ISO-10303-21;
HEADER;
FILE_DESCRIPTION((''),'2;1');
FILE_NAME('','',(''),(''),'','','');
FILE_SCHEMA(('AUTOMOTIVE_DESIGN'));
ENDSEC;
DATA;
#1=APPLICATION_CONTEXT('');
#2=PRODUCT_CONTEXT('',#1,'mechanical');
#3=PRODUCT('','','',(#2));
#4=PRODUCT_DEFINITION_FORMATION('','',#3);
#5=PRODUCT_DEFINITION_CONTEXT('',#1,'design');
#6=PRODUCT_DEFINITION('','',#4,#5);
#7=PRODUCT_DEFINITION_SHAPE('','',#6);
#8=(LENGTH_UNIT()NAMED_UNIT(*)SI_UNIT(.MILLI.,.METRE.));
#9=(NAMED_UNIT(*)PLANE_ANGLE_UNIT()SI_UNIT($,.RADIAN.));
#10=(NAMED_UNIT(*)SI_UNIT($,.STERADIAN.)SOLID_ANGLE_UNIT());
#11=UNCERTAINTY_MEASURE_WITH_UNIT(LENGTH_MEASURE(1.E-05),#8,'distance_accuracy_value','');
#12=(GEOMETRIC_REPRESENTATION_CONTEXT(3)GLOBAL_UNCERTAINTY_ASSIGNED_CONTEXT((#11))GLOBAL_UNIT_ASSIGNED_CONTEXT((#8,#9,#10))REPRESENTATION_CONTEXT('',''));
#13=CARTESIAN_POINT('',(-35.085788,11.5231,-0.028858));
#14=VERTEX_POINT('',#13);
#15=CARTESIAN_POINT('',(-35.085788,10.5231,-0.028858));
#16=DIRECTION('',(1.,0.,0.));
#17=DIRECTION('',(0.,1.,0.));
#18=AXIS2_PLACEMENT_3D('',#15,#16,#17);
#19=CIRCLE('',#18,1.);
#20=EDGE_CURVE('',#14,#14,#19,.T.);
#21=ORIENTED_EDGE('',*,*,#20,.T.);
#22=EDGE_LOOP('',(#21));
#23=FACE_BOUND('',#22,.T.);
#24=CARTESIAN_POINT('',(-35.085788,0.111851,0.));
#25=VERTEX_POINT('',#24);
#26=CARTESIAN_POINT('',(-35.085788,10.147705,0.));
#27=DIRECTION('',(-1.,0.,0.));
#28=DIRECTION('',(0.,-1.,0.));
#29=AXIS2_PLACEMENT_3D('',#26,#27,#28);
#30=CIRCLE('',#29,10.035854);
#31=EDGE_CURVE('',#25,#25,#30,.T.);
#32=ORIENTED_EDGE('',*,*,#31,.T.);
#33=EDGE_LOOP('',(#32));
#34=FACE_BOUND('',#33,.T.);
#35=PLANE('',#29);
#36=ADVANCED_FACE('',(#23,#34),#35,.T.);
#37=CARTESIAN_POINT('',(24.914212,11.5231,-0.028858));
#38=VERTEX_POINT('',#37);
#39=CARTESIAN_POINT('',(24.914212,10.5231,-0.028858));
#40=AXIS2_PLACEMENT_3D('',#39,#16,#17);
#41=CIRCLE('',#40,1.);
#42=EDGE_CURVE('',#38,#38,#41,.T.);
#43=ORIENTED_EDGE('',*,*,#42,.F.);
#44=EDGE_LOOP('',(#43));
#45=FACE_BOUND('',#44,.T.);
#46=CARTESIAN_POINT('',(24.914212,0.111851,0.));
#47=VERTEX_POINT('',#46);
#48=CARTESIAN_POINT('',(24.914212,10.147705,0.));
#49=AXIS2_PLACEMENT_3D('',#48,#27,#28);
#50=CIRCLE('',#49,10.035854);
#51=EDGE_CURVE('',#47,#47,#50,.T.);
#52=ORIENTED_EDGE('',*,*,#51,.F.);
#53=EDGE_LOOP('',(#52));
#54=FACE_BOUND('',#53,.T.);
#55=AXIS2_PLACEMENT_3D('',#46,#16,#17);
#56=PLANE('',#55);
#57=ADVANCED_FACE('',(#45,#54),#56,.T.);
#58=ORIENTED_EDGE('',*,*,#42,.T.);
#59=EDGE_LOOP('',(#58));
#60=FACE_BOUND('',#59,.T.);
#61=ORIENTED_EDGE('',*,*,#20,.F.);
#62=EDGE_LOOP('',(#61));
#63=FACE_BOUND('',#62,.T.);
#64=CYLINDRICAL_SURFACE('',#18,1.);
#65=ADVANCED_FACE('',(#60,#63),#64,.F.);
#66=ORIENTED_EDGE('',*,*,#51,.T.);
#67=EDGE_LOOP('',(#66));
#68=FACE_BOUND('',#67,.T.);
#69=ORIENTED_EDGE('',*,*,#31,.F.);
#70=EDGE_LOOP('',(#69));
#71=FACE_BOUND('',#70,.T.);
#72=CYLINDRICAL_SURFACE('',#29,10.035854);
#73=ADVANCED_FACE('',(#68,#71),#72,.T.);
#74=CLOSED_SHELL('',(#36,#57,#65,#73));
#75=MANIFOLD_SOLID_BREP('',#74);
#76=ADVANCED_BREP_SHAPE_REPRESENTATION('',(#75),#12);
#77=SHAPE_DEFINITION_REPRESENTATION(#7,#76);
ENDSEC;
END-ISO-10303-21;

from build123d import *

# Parameters (mm, degrees)
SKETCH1_W               = 60
SKETCH1_H               = 10.035853858
CUT_EXTRUDE1_DEPTH      = 65.094417866
CUT_EXTRUDE1_DEPTH_BACK = 65.094417866
SKETCH2_R               = 1


with BuildPart() as part:
    # Sketch1 → Revolve1 (revolve)
    with BuildSketch(Plane.XY):
        with Locations((-5.085788225, 5.129777841)):
            Rectangle(SKETCH1_W, SKETCH1_H)
    revolve(axis=Axis((-35.085788225, 10.14770477, 0), (1, 0, 0)))

    # Sketch2 → Cut-Extrude1 (cut, two sides: drawn at the far end of the back side and taken through both)
    with BuildSketch(Plane(origin=(24.914211775, 0, 0), x_dir=(0, 0, -1), z_dir=(1, 0, 0)).offset(-CUT_EXTRUDE1_DEPTH_BACK)):
        with Locations(Location((0.028858499, 10.523100361, 0), (0, 0, 90))):
            Circle(SKETCH2_R)
    extrude(amount=CUT_EXTRUDE1_DEPTH + CUT_EXTRUDE1_DEPTH_BACK, mode=Mode.SUBTRACT)


solid = part.part
